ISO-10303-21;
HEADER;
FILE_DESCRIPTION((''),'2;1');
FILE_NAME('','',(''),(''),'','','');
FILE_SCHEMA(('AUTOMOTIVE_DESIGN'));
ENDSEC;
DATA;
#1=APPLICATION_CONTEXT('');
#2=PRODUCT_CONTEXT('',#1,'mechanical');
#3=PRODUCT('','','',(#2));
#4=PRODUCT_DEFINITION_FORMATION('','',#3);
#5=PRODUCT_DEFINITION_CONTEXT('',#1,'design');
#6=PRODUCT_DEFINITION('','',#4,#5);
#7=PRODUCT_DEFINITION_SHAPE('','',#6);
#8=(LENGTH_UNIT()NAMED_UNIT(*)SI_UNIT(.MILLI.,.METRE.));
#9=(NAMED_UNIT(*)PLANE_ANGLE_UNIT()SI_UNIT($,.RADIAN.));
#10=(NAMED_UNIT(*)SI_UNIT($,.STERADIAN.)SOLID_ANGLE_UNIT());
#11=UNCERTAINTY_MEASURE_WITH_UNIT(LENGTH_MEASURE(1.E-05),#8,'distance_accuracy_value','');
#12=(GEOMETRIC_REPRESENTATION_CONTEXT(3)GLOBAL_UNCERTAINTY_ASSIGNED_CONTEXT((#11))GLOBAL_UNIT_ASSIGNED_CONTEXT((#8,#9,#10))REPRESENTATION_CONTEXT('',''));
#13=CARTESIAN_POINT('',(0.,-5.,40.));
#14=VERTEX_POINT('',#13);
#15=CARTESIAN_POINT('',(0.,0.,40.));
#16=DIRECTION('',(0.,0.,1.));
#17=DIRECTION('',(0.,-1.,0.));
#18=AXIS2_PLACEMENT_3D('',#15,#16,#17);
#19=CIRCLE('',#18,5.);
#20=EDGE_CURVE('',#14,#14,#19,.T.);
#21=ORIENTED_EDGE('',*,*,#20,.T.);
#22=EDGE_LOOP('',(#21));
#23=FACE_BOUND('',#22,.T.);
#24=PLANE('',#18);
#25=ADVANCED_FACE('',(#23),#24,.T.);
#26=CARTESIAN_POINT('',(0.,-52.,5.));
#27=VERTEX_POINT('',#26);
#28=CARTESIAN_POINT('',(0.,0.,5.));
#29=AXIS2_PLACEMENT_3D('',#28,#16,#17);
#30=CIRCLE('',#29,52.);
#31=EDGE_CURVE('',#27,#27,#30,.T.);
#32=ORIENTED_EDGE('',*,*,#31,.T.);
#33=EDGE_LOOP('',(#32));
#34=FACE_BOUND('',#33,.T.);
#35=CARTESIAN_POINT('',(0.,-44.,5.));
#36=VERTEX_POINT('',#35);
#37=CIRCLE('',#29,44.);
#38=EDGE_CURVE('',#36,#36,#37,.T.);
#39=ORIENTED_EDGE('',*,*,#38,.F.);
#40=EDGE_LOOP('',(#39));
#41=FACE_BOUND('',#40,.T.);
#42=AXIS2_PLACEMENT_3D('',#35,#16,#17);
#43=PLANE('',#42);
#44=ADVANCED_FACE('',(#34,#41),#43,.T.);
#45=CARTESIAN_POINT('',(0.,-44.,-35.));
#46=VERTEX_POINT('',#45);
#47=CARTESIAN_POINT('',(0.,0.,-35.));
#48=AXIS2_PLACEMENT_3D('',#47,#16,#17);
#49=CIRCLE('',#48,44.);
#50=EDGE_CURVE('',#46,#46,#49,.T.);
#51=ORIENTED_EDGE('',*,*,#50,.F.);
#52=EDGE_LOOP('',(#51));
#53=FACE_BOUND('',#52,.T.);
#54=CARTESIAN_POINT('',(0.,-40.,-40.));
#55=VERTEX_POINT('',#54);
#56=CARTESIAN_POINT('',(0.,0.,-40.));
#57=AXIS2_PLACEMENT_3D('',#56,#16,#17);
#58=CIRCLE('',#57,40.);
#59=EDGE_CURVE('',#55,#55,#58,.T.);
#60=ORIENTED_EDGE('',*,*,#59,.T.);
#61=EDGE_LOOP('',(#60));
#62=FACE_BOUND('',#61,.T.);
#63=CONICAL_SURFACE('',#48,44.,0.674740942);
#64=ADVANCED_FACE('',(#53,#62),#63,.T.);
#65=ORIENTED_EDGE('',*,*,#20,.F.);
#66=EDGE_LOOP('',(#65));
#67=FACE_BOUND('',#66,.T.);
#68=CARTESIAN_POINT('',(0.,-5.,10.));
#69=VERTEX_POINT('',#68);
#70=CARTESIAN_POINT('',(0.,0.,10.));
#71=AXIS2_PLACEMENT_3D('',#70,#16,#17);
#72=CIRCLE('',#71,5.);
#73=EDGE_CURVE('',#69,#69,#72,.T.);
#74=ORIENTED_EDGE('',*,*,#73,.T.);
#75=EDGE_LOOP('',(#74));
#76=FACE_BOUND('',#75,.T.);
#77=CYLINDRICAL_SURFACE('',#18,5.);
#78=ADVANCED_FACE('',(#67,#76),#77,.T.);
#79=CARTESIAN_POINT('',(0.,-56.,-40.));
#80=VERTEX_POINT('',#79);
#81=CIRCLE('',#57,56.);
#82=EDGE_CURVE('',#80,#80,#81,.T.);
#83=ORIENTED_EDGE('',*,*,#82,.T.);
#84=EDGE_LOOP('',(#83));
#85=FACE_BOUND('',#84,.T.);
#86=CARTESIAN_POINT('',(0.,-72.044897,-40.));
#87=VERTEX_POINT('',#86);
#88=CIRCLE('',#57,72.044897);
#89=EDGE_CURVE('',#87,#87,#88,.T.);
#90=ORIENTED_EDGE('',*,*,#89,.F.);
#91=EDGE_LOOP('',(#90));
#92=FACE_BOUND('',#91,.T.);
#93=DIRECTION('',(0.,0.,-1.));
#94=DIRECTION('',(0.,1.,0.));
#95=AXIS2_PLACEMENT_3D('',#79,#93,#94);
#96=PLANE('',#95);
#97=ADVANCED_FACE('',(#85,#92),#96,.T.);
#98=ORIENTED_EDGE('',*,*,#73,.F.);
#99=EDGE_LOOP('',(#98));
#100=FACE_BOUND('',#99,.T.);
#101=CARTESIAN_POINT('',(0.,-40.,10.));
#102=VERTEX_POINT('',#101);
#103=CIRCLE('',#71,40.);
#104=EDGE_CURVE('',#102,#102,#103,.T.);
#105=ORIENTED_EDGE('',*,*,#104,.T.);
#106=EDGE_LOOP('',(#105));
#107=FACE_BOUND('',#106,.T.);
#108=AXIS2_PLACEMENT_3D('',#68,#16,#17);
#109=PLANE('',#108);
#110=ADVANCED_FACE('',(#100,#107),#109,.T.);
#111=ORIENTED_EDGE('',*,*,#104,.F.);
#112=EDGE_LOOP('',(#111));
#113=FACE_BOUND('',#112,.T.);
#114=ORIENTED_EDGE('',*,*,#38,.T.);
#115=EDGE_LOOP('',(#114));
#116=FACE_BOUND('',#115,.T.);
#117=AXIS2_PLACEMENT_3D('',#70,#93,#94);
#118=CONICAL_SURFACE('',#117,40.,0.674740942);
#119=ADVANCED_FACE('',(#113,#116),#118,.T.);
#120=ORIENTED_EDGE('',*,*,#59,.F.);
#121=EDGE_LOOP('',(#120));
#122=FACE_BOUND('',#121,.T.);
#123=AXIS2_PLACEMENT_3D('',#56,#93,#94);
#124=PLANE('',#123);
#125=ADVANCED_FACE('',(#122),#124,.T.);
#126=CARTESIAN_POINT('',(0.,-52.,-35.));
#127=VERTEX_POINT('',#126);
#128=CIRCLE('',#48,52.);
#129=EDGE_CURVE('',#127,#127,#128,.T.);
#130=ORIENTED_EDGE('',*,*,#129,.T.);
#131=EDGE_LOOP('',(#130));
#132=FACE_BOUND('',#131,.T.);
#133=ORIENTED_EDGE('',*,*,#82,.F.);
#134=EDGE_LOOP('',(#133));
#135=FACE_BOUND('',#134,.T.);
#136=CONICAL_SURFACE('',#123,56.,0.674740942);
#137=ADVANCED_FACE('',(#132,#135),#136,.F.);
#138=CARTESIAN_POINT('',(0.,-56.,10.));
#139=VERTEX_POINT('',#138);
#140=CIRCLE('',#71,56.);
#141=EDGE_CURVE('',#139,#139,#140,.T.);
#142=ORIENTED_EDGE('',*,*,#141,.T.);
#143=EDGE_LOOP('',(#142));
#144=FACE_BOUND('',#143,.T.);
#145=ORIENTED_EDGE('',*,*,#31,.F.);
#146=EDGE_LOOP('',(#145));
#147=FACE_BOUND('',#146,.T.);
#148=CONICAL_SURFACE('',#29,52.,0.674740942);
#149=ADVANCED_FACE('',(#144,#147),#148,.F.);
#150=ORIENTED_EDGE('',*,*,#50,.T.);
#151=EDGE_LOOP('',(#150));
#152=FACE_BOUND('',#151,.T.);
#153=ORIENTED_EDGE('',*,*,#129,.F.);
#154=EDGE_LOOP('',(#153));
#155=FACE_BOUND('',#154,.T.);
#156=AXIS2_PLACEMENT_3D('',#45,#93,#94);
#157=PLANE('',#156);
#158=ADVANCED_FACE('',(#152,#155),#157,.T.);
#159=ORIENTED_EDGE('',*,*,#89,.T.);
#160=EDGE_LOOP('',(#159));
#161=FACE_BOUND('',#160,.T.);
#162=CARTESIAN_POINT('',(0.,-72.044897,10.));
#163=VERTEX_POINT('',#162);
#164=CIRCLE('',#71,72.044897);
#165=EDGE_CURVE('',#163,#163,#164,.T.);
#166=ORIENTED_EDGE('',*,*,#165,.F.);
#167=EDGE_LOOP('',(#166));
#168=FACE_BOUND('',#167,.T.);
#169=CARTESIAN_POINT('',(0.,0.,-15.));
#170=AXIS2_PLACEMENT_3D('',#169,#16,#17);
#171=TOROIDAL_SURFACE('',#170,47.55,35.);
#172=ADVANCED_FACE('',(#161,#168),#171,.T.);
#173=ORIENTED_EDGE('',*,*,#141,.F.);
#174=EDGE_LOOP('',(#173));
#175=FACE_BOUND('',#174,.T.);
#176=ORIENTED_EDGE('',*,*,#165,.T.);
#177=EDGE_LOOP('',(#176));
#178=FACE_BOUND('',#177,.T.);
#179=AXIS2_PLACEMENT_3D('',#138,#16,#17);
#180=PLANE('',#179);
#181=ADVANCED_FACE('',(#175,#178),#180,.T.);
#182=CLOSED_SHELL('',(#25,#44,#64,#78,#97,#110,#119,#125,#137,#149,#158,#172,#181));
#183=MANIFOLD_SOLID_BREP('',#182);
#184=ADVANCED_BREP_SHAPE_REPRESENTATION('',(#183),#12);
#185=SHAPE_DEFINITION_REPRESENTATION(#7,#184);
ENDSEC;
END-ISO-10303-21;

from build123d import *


with BuildPart() as part:
    # Croquis1 → Revolución1 (revolve)
    with BuildSketch(Plane(origin=(0, 0, 0), x_dir=(0, 0, -1), z_dir=(1, 0, 0))):
        with BuildLine():
            Line((-40, 0), (40, 0))
            Line((40, 0), (40, -40))
            Line((40, -40), (35, -44))
            Line((35, -44), (35, -52))
            Line((35, -52), (40, -56))
            Line((40, -56), (40, -72.044897428))
            ThreePointArc((40, -72.044897428), (15, -82.55), (-10, -72.044897428))
            Line((-10, -72.044897428), (-10, -56))
            Line((-10, -56), (-5, -52))
            Line((-5, -52), (-5, -44))
            Line((-5, -44), (-10, -40))
            Line((-10, -40), (-10, -5))
            Line((-10, -5), (-40, -5))
            Line((-40, -5), (-40, 0))
        make_face()
    revolve(axis=Axis((0, 0, 40), (0, 0, -1)))


solid = part.part
